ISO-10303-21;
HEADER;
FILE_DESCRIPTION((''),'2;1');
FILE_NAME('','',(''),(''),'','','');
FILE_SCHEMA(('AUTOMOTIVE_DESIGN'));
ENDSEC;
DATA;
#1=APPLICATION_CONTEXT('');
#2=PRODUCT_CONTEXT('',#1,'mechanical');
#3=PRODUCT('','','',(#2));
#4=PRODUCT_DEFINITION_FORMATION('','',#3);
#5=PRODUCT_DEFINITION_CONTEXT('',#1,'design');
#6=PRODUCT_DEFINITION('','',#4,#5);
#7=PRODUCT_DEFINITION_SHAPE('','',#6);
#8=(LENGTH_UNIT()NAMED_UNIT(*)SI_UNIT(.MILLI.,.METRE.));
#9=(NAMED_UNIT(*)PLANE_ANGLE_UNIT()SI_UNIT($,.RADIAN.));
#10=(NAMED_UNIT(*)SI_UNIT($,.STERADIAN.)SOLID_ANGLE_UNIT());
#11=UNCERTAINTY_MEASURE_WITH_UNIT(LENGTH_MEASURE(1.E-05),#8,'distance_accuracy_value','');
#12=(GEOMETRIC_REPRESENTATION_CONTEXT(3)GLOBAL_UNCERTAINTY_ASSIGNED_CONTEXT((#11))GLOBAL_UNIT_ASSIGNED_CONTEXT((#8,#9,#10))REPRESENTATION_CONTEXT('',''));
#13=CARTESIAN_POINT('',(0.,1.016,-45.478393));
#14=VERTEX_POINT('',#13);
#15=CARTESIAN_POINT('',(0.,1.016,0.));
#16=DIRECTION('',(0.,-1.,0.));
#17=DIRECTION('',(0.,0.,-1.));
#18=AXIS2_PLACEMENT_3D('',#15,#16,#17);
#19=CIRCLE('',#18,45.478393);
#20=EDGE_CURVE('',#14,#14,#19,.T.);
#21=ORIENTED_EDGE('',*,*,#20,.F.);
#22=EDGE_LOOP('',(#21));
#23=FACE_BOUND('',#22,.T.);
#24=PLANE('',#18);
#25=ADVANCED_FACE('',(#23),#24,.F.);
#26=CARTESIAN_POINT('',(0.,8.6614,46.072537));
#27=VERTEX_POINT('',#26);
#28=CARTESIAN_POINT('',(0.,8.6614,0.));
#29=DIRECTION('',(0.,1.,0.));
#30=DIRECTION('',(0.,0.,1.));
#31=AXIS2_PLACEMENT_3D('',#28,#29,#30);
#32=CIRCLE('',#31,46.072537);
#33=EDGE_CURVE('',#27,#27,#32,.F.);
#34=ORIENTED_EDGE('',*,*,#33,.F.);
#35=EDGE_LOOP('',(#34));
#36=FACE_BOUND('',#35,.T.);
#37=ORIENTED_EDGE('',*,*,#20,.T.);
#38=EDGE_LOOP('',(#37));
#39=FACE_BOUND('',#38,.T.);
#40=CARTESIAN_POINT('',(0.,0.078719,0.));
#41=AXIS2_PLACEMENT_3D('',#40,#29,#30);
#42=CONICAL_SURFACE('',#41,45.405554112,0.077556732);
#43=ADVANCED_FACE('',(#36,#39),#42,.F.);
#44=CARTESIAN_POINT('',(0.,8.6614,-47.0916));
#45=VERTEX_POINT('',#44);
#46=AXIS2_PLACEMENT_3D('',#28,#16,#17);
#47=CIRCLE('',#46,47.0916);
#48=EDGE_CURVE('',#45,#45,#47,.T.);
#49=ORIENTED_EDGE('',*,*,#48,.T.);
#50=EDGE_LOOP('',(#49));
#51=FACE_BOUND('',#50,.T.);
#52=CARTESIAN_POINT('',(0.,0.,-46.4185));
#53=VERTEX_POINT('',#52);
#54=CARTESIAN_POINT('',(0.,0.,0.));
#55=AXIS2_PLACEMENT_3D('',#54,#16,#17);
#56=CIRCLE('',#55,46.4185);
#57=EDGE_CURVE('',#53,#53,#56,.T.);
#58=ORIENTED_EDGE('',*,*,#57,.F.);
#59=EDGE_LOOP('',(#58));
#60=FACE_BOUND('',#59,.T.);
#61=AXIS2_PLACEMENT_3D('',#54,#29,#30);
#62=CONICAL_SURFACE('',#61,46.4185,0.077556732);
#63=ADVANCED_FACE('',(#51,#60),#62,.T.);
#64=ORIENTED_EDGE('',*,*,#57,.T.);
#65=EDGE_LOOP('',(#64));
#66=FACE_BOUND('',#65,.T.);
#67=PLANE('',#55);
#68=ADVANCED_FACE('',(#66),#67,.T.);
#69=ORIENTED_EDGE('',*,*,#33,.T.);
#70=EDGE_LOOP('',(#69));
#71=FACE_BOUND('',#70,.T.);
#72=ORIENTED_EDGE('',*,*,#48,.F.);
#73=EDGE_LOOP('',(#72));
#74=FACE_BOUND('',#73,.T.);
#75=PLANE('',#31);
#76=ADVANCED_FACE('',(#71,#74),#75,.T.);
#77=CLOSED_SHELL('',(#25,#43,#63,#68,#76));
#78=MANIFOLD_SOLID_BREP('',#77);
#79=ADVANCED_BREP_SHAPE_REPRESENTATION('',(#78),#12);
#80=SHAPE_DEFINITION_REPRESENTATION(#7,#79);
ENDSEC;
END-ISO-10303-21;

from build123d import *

# Parameters (mm, degrees)
SHELL1_T = -1.016


with BuildPart() as part:
    # Sketch2 → Revolve1 (revolve)
    with BuildSketch(Plane.XY, mode=Mode.PRIVATE) as revolve1_sk:
        Polygon((0, 0), (46.4185, 0), (47.0916, 8.6614), (0, 8.6614), align=None)
    revolve(revolve1_sk.sketch.rotate(Axis((0, 0, 0), (0, 1, 0)), 90), axis=Axis((0, 0, 0), (0, 1, 0)))

    # Shell1
    shell1_openings = [part.faces().sort_by_distance(p)[0] for p in [
        (0, 8.6614, 0),
    ]]
    offset(amount=SHELL1_T, openings=shell1_openings, kind=Kind.INTERSECTION)


solid = part.part
